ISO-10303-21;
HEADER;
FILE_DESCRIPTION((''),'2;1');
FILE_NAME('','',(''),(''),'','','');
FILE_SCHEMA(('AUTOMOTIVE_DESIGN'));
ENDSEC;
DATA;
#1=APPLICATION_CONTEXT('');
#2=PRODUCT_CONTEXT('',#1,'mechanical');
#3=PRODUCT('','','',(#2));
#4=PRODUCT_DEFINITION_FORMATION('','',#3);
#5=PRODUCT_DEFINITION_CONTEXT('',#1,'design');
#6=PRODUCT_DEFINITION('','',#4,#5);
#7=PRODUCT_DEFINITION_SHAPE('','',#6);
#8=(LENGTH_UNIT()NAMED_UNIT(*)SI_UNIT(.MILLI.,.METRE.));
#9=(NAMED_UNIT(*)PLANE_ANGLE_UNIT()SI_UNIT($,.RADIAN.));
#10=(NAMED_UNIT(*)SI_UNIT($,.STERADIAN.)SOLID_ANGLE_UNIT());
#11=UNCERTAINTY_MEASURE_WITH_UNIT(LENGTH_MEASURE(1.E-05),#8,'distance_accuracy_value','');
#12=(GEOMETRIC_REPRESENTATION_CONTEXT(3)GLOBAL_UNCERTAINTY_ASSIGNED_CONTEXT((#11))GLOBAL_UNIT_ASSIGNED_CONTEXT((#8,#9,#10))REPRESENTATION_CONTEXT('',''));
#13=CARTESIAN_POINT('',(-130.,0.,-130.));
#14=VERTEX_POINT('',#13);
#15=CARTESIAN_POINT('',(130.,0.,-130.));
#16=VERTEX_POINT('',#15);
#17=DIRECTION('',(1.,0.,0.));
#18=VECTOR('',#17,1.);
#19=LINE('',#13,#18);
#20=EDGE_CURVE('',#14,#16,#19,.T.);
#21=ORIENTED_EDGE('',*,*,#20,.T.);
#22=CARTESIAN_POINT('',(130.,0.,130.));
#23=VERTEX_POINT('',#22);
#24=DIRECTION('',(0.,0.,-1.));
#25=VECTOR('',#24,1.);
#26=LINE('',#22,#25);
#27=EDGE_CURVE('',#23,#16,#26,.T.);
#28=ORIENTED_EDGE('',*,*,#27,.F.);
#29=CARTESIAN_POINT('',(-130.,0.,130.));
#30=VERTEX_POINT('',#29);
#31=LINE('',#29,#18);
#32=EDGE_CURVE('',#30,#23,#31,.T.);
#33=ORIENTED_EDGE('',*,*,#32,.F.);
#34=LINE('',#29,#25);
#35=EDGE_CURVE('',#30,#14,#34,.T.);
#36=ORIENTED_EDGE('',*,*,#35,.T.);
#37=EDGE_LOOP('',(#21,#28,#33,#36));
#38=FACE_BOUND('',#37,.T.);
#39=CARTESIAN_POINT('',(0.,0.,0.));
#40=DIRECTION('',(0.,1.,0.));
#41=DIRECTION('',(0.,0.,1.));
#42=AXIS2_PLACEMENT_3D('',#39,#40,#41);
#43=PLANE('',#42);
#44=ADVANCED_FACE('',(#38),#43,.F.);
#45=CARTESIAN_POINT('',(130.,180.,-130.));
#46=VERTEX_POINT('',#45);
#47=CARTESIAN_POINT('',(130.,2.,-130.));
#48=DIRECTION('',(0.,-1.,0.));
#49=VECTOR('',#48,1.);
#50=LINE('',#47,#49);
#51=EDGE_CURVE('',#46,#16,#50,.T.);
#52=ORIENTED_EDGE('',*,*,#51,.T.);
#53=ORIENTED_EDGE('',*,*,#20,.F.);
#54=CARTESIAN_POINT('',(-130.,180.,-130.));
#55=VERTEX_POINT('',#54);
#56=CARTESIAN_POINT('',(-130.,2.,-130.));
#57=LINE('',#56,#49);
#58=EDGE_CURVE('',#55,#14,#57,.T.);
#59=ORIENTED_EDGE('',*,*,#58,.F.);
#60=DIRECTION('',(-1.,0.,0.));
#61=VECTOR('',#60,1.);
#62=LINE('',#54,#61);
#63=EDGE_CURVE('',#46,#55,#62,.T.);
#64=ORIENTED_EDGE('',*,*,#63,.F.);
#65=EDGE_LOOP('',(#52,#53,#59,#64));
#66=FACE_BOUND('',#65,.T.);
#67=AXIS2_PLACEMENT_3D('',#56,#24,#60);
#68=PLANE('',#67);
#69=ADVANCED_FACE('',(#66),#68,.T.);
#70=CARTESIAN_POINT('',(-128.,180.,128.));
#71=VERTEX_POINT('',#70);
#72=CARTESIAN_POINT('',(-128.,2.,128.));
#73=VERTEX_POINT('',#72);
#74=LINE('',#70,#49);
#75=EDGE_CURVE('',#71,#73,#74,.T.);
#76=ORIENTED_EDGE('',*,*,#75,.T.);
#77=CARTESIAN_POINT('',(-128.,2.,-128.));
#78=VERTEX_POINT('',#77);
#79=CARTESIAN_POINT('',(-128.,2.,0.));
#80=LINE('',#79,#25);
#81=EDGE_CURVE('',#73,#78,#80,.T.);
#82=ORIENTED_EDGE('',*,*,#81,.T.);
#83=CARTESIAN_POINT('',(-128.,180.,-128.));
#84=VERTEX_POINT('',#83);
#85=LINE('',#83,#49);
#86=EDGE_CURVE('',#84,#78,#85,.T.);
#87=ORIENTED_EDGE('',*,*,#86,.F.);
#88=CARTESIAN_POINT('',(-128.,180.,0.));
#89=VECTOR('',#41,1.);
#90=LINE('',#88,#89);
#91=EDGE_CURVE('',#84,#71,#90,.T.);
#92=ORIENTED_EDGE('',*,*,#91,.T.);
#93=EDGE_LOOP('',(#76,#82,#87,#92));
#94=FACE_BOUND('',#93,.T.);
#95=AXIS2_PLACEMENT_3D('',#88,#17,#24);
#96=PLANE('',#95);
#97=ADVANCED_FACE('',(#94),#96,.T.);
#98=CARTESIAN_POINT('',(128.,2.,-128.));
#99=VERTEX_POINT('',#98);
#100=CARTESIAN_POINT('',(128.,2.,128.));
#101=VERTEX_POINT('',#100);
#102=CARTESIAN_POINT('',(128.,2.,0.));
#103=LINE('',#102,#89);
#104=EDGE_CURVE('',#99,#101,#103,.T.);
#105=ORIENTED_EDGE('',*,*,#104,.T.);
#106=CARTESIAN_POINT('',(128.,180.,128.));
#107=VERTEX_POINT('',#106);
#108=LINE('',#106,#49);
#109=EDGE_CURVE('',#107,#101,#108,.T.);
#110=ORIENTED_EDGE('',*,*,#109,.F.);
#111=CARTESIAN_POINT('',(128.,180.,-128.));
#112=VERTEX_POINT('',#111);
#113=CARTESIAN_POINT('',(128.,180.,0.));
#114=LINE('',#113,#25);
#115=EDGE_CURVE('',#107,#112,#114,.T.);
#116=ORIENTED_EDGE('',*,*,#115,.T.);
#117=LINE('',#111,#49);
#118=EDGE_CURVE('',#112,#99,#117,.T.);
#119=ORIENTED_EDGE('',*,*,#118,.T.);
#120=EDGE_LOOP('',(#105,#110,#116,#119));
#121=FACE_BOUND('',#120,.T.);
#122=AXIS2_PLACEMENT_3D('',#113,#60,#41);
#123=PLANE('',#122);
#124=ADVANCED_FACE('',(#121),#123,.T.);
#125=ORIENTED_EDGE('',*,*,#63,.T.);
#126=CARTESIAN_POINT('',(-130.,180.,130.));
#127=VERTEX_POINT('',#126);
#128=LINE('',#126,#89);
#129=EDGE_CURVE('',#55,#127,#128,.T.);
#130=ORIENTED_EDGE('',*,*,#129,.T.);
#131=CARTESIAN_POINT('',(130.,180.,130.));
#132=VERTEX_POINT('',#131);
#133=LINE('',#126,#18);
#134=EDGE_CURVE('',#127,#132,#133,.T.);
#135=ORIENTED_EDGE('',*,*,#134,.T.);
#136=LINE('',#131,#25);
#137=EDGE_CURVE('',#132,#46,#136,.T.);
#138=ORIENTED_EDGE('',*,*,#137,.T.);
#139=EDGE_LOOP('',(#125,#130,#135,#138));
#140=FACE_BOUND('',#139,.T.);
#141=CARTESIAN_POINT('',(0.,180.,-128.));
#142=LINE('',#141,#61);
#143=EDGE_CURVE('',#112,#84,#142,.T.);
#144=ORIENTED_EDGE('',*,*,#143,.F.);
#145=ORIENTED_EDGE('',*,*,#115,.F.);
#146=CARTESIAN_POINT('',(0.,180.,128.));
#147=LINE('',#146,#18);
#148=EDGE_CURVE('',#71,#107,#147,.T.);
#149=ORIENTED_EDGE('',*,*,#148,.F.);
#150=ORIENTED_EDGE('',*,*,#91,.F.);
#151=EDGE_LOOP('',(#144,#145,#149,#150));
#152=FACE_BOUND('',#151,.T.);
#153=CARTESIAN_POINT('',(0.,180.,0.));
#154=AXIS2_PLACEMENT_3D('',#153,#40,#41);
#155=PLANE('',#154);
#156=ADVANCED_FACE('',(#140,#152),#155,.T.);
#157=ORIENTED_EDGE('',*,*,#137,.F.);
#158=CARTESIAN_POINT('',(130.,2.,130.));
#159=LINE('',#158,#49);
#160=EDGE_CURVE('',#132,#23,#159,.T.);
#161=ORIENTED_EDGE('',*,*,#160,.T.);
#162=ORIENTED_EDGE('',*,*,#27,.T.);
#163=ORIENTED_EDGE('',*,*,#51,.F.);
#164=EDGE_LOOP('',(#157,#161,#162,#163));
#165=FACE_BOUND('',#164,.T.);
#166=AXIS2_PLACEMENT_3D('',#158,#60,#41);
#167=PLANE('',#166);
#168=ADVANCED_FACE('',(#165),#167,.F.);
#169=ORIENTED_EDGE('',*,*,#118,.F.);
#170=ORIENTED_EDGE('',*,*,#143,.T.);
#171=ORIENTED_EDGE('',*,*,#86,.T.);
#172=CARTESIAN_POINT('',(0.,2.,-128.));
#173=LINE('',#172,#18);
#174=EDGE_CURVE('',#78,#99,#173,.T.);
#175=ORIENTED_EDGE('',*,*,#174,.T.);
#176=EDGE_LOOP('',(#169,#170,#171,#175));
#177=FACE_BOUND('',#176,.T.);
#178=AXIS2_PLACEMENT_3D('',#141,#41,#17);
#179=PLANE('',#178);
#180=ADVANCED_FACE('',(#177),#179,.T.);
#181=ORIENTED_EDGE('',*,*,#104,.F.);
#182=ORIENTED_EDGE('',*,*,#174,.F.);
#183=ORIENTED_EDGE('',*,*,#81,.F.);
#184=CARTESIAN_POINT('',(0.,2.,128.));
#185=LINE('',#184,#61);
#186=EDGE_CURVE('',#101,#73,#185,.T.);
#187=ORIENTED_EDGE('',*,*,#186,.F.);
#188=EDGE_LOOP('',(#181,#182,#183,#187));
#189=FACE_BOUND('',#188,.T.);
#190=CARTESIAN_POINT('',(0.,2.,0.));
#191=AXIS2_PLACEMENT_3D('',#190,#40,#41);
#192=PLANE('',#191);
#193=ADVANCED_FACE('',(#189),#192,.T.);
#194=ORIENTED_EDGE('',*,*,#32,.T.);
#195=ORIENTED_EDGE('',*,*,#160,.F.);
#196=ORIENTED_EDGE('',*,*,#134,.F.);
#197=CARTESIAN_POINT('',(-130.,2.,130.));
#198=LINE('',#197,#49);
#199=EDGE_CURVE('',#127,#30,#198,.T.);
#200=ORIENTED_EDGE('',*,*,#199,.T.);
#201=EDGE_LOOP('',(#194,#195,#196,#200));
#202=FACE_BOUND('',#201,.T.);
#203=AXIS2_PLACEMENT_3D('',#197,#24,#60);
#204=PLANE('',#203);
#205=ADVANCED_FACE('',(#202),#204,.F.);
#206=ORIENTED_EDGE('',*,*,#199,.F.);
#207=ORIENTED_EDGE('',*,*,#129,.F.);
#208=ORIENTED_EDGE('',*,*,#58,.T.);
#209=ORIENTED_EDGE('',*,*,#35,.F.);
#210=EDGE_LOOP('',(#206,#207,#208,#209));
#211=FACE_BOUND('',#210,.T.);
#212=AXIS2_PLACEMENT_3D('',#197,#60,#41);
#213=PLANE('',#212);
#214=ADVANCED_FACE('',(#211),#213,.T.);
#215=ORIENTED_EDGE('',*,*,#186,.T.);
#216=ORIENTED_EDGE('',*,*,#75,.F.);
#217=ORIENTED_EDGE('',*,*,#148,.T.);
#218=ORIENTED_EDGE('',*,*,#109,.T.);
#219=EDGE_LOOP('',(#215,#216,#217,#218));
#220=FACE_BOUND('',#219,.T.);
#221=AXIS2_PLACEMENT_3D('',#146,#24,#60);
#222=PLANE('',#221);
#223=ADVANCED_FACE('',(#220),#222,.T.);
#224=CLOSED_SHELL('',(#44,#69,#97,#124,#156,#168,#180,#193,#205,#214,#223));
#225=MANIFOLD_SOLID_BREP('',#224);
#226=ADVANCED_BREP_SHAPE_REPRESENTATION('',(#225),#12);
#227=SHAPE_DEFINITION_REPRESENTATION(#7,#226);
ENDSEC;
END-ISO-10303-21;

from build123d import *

# Parameters (mm, degrees)
SKETCH_1_W        = 260
SKETCH_1_H        = 260
EXTRUDE_282_DEPTH = 2
SKETCH_1_3_W      = 260
SKETCH_1_3_H      = 260
SKETCH_1_3_W_2    = 256
SKETCH_1_3_H_2    = 256
EXTRUDE_337_DEPTH = 180


with BuildPart() as part:
    # 草图1 → Extrude 282 (new body)
    with BuildSketch(Plane(origin=(0, 0, 0), x_dir=(1, 0, 0), z_dir=(0, 1, 0))):
        Rectangle(SKETCH_1_W, SKETCH_1_H)
    extrude(amount=EXTRUDE_282_DEPTH)

    # 草图1<3> → Extrude 337 (add)
    with BuildSketch(Plane(origin=(0, 0, 0), x_dir=(1, 0, 0), z_dir=(0, 1, 0))):
        Rectangle(SKETCH_1_3_W, SKETCH_1_3_H)
        Rectangle(SKETCH_1_3_W_2, SKETCH_1_3_H_2, mode=Mode.SUBTRACT)
    extrude(amount=EXTRUDE_337_DEPTH)


solid = part.part
